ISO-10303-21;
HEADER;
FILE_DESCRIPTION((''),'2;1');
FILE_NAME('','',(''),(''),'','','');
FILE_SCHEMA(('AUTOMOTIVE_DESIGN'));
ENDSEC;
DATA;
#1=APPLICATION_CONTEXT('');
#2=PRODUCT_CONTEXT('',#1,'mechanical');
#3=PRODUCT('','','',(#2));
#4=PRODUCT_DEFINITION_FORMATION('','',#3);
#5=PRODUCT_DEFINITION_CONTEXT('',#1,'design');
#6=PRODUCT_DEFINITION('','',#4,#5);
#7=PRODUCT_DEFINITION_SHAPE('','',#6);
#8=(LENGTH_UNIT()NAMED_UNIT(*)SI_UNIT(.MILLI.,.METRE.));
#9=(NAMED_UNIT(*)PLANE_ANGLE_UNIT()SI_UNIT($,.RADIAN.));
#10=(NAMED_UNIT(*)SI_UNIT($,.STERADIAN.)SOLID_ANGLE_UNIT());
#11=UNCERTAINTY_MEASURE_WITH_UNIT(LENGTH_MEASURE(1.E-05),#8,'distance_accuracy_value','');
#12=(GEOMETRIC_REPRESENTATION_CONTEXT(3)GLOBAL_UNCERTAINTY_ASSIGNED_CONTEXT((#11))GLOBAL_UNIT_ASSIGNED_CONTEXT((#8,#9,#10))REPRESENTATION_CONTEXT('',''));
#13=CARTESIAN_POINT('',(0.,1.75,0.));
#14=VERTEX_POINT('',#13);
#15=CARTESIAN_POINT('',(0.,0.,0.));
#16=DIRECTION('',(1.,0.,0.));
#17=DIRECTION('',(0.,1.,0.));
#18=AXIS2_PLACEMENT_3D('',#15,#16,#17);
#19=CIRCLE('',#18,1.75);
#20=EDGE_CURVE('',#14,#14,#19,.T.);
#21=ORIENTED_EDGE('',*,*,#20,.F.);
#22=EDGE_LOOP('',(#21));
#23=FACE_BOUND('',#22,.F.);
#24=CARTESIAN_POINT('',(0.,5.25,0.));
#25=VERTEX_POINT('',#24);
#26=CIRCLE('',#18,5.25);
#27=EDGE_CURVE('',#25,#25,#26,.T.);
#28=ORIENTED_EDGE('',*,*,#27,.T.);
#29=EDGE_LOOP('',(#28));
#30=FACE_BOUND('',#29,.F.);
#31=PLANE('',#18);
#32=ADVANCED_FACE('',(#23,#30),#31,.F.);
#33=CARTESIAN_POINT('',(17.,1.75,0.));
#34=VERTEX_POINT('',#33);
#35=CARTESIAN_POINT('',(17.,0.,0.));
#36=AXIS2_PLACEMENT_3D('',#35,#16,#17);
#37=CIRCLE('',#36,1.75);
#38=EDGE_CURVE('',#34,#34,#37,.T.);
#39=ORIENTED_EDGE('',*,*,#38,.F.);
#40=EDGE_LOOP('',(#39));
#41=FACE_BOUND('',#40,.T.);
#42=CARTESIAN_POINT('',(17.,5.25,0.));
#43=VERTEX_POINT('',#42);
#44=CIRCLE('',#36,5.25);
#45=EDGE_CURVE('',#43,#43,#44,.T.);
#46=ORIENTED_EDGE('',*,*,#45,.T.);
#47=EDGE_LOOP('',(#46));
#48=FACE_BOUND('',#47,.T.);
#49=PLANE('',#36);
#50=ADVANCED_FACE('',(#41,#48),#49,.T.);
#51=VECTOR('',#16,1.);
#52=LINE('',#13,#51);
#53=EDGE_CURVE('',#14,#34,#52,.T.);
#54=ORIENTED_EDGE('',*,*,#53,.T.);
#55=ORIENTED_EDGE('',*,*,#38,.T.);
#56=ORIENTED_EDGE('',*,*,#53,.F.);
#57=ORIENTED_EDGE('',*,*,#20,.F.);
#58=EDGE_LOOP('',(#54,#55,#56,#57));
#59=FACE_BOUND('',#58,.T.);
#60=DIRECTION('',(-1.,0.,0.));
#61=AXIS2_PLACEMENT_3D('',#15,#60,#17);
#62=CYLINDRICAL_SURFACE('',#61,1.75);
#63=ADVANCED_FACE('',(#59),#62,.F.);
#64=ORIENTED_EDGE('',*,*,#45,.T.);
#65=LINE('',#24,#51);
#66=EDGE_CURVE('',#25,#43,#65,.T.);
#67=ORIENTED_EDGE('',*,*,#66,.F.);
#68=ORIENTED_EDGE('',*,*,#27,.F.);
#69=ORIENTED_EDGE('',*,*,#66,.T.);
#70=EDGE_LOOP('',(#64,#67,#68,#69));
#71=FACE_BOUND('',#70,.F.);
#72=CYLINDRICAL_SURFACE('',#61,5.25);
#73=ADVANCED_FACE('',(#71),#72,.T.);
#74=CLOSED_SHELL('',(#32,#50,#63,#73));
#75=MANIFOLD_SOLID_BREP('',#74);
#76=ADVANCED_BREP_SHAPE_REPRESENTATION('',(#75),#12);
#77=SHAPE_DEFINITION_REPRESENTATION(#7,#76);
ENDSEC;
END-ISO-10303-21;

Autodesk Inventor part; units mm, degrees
ref_plane "YZ Plane" through (0, 0, 0) normal (1, 0, 0) x (0, 1, 0)
ref_plane "XZ Plane" through (0, 0, 0) normal (0, 1, 0) x (-1, 0, 0)
ref_plane "XY Plane" through (0, 0, 0) normal (0, 0, 1) x (1, 0, 0)
sketch "Sketch1" plane through (0, 0, 0) normal (1, 0, 0) x (0, 1, 0)
  circle A0 centre (0, 0) radius 5.25
  circle A1 centre (0, 0) radius 1.75
  dimension "d0" = 10.5
  dimension "d1" = 3.5
extrude "Extrusion1" add sketch "Sketch1" along normal blind 17
properties part number "ChargingArm - FlatPlateBearing"
